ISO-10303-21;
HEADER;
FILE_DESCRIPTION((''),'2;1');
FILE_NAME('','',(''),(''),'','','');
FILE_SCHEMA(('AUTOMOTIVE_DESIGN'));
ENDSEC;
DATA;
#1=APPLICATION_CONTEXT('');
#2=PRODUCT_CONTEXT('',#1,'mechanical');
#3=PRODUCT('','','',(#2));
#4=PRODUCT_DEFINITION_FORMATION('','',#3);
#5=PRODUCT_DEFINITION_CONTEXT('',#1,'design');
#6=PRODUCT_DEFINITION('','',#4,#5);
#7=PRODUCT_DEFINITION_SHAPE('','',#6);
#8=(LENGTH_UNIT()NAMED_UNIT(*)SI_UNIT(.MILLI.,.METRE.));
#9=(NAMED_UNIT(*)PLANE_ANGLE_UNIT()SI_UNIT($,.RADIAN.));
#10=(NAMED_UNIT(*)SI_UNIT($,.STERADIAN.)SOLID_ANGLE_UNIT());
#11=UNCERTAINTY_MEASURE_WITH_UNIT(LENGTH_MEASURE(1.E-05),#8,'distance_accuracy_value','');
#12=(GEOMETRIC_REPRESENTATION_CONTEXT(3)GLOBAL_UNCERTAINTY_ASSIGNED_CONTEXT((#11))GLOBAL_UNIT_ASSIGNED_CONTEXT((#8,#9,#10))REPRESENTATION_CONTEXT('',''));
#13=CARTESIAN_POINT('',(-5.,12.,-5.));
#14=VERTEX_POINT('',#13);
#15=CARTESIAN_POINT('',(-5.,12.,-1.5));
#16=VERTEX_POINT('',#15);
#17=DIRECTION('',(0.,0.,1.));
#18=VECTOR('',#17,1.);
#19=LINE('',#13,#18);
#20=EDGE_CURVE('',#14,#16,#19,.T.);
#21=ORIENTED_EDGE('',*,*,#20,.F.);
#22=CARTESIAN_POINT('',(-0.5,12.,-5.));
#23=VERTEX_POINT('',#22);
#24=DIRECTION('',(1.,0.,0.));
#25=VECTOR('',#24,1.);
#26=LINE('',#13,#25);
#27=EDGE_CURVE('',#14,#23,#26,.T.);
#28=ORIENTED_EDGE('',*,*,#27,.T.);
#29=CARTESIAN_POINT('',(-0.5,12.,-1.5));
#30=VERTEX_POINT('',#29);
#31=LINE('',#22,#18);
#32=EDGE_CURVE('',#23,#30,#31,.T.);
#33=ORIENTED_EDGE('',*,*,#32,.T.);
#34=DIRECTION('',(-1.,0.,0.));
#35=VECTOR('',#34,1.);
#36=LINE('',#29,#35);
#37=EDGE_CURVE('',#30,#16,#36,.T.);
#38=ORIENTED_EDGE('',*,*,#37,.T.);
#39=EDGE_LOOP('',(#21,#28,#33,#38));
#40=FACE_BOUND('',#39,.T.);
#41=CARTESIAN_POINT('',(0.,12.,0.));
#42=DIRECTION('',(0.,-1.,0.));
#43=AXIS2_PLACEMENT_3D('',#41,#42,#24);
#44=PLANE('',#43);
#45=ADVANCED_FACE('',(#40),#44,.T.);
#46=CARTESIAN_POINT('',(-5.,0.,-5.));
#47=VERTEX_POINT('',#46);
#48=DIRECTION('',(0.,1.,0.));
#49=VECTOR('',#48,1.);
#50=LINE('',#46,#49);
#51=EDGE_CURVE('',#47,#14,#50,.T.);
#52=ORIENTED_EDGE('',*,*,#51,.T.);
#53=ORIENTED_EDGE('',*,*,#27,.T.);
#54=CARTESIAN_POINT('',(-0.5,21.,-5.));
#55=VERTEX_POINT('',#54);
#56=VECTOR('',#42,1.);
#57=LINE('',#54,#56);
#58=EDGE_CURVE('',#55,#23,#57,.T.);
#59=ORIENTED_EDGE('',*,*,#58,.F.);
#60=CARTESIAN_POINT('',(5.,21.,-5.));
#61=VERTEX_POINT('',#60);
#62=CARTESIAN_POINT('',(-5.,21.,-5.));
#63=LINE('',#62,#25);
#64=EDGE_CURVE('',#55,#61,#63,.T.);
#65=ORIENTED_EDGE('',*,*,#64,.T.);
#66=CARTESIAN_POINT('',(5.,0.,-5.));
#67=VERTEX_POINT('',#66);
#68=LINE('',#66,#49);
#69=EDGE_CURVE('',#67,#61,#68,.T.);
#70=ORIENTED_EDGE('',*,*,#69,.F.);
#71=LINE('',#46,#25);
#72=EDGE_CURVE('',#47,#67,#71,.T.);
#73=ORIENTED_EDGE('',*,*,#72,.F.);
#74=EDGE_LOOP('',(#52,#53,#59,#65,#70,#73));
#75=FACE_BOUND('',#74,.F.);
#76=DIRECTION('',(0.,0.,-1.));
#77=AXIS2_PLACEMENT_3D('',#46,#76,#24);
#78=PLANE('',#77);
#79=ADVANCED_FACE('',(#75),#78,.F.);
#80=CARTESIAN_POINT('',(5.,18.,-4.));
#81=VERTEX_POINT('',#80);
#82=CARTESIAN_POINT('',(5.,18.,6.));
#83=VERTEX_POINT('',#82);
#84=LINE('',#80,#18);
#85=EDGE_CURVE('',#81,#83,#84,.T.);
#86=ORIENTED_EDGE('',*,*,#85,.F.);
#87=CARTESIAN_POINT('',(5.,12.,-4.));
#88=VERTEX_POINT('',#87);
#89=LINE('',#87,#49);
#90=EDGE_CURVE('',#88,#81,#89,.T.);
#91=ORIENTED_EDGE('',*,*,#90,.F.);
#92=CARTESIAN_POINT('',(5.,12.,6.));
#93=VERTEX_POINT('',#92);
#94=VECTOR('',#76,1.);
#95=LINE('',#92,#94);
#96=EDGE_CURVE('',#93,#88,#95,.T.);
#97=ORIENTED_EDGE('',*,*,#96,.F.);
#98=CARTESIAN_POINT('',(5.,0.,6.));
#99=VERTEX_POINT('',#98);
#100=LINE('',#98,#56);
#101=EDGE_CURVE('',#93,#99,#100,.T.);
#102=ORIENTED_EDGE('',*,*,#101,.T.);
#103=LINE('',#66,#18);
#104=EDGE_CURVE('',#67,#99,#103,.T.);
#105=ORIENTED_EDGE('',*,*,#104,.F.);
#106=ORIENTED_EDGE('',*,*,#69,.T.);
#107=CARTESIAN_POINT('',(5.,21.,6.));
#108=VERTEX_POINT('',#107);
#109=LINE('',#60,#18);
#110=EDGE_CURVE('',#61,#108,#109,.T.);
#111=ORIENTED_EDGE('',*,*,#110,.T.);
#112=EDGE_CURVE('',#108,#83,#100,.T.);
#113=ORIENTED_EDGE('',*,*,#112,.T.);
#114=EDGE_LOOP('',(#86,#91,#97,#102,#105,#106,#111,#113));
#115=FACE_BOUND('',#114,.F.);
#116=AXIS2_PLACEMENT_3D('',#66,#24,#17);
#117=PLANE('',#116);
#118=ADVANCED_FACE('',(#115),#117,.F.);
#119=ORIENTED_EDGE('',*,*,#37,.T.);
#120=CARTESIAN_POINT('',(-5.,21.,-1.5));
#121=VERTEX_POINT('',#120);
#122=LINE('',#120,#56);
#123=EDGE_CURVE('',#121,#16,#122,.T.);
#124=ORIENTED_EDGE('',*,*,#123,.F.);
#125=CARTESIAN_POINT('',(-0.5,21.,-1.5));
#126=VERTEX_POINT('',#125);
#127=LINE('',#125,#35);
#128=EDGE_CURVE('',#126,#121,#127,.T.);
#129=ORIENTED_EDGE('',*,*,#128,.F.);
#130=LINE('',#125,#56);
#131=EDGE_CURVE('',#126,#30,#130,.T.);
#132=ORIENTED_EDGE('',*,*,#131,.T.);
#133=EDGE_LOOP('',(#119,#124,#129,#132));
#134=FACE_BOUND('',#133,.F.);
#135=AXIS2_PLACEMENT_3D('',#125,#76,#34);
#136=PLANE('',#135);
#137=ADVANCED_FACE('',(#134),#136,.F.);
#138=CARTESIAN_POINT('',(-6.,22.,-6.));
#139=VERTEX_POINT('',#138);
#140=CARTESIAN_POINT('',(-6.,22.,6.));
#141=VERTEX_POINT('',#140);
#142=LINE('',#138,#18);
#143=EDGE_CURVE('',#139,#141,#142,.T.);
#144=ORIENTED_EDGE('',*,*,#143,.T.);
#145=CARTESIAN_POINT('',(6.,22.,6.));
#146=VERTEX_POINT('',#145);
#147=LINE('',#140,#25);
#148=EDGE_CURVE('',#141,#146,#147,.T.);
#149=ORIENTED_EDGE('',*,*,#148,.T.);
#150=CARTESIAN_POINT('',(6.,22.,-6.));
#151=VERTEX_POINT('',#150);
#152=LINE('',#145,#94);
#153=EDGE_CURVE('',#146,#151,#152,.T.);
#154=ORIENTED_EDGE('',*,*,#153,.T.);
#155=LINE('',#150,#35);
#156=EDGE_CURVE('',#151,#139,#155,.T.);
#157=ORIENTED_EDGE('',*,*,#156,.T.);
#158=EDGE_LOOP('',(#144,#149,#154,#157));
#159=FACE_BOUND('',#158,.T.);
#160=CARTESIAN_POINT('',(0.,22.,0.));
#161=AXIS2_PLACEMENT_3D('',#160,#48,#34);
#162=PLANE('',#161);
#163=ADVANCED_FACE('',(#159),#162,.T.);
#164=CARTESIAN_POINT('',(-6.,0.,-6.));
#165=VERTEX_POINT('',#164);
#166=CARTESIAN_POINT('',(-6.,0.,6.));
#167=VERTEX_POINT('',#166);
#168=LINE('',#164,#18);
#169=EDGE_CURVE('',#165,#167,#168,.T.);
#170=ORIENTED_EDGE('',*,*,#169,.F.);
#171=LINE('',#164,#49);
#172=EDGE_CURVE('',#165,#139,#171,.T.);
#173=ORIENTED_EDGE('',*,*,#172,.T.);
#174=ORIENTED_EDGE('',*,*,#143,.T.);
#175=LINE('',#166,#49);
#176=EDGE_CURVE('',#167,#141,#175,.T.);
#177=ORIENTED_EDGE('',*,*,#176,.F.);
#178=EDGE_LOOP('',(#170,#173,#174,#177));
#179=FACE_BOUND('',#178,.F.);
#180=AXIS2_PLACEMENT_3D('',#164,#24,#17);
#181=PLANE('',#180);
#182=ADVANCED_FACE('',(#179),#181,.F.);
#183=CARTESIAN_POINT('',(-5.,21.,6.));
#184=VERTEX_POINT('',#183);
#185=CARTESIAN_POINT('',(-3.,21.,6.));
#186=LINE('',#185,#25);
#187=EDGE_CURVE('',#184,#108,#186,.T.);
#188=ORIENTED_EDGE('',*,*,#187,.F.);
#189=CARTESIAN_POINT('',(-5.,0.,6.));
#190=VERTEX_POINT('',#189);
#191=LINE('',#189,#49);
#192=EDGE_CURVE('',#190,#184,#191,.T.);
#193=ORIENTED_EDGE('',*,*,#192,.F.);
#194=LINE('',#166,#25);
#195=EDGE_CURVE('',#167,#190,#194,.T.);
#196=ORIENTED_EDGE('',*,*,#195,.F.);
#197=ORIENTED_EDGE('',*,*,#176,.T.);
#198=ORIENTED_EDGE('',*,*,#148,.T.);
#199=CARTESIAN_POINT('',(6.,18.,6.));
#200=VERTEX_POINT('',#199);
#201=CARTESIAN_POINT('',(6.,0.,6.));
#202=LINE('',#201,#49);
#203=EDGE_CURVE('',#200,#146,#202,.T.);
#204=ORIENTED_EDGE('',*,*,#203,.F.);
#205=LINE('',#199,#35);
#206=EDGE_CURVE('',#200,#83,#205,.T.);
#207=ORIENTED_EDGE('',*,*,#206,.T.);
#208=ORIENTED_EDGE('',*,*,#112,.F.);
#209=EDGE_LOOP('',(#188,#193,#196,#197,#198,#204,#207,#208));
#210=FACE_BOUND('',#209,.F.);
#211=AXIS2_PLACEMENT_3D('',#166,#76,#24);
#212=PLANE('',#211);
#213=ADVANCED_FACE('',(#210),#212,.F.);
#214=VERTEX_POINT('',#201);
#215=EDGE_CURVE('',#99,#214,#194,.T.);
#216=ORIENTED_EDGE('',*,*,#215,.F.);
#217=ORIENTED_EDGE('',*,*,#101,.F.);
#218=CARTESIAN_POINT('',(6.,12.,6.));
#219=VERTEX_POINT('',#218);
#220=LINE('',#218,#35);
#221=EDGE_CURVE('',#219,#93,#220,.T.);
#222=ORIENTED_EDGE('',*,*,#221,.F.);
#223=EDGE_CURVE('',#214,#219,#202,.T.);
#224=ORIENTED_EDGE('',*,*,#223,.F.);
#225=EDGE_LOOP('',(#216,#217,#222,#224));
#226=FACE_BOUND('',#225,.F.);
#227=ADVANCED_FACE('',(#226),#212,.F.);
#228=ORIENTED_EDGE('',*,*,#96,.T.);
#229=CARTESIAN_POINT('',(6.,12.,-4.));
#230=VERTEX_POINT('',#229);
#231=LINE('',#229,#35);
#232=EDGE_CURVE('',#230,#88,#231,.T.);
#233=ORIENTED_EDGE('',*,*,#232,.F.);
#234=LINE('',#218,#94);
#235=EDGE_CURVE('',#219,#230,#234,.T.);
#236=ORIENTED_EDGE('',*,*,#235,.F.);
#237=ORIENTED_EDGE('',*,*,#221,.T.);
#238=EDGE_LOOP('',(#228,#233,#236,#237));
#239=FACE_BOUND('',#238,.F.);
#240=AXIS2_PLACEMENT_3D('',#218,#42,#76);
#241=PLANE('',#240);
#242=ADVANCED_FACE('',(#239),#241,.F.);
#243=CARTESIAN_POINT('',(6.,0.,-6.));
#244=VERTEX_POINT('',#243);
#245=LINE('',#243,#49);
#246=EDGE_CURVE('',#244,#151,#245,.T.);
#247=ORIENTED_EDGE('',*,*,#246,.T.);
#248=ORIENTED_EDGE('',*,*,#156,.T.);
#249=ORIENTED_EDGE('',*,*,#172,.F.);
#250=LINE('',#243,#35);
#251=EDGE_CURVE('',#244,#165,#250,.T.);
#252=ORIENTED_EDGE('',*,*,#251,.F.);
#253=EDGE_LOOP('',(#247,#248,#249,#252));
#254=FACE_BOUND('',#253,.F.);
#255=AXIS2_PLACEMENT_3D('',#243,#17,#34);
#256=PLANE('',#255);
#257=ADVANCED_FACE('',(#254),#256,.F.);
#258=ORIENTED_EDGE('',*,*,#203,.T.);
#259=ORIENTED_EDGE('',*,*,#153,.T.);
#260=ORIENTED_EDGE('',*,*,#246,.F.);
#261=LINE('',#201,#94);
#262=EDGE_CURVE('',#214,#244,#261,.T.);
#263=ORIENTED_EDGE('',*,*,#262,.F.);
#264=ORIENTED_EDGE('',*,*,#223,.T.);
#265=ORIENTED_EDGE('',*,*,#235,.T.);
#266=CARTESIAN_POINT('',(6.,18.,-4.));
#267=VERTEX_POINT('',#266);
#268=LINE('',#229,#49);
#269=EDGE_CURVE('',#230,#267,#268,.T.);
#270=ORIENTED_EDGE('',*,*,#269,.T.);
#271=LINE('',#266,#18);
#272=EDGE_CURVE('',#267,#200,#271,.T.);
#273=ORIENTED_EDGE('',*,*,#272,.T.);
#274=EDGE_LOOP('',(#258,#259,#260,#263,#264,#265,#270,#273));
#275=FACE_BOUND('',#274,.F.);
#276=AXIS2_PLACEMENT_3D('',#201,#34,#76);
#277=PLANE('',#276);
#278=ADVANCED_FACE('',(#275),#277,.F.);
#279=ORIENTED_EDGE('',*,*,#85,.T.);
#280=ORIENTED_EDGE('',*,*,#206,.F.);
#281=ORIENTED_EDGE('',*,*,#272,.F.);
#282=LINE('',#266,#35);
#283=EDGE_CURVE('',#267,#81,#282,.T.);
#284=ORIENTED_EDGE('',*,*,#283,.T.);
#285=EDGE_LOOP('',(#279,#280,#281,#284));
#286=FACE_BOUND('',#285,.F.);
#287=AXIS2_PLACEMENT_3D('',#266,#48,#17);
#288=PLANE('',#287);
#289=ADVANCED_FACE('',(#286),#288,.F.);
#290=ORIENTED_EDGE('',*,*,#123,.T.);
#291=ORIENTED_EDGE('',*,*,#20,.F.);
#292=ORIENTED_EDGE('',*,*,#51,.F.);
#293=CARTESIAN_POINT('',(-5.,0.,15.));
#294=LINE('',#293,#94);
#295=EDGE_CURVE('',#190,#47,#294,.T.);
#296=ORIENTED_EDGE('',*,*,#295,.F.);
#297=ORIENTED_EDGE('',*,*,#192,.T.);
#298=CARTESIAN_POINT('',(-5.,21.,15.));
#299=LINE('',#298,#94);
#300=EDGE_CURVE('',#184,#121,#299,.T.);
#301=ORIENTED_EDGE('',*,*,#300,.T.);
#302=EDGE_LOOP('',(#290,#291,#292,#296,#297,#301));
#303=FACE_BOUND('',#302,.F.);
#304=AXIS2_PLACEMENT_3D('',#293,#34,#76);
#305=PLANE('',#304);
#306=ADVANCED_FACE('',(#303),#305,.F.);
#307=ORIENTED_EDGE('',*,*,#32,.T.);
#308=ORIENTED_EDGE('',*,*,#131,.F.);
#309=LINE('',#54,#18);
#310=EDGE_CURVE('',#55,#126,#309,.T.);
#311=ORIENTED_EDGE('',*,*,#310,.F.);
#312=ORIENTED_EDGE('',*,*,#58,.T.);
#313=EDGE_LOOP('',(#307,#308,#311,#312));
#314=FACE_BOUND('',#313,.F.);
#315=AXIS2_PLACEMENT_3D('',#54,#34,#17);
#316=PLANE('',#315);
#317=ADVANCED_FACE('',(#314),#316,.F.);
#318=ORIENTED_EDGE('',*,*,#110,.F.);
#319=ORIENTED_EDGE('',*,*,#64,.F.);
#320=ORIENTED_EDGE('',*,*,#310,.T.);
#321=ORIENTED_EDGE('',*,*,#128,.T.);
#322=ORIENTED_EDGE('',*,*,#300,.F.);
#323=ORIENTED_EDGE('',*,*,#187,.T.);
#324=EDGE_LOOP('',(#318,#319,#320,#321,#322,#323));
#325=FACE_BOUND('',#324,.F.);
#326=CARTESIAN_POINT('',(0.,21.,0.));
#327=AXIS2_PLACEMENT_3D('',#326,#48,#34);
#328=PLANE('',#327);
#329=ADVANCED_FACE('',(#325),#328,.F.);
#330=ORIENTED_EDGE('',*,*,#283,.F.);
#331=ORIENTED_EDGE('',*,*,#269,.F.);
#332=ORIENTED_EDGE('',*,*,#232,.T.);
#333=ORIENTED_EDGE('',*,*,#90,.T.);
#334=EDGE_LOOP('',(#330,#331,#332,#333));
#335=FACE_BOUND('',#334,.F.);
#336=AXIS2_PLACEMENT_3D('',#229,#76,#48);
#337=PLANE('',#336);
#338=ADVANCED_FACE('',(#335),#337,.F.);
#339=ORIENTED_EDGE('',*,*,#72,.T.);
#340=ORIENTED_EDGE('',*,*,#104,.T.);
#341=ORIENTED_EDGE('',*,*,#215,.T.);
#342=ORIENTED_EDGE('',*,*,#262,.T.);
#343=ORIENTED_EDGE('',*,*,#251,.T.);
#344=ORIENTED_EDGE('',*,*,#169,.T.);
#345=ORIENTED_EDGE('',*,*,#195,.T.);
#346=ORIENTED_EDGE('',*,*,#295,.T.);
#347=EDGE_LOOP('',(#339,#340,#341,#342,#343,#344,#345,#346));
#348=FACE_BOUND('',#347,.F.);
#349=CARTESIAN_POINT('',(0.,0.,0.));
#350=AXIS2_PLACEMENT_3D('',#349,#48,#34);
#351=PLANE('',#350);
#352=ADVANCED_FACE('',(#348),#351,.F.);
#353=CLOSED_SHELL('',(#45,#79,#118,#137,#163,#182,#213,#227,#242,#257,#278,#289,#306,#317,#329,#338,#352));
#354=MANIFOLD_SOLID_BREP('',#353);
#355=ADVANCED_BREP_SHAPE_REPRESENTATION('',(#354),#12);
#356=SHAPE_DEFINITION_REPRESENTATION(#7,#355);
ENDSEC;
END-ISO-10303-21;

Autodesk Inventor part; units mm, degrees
ref_plane "YZ Plane" through (0, 0, 0) normal (1, 0, 0) x (0, 1, 0)
ref_plane "XZ Plane" through (0, 0, 0) normal (0, 1, 0) x (-1, 0, 0)
ref_plane "XY Plane" through (0, 0, 0) normal (0, 0, 1) x (1, 0, 0)
sketch "Sketch1" plane through (0, 0, 0) normal (0, 1, 0) x (-1, 0, 0)
  line L0 (6, 6) -> (-6, 6)
  line L1 (-6, 6) -> (-6, -6)
  line L2 (-6, -6) -> (6, -6)
  line L3 (6, -6) -> (6, 6)
  line L4 (6, 6) -> (-6, -6) construction
  line L5 (-6, 6) -> (6, -6) construction
  point P0 (0, 0)
  dimension "d0" = 12
  dimension "d1" = 12
sketch "Sketch2" plane through (0, 0, 0) normal (0, 1, 0) x (-1, 0, 0)
  line L0 (5, -5) -> (-5, -5)
  line L1 (-5, -5) -> (-5, 15)
  line L2 (-5, 15) -> (5, 15)
  line L3 (5, 15) -> (5, -5)
  point P0 (0, 0)
  dimension "d2" = 10
  dimension "d3" = 20
extrude "Extrusion1" add sketch "Sketch1" along normal blind 22
extrude "Extrusion2" cut sketch "Sketch2" along normal blind 21
sketch "Sketch3" plane through (6, 0, 6) normal (1, 0, 0) x (0, 0, -1)
  line L0 (0, 0) -> (0, 22) projected
  line L1 (10, 18) -> (0, 18)
  line L2 (0, 18) -> (0, 12)
  line L3 (0, 12) -> (10, 12)
  line L4 (10, 12) -> (10, 18)
  point P0 (6, 0)
  dimension "d8" = 6
extrude "Extrusion3" cut sketch "Sketch3" against normal blind 1
sketch "Sketch4" plane through (0, 21, 0) normal (0, -1, 0) x (1, 0, 0)
  line L0 (-5, -5) -> (-5, 6) projected
  line L1 (-5, -5) -> (-0.5, -5)
  line L2 (-0.5, -5) -> (-0.5, -1.5)
  line L3 (-0.5, -1.5) -> (-5, -1.5)
  line L4 (-5, -1.5) -> (-5, -5)
  point P0 (0, 0)
  dimension "d11" = 4.5
  dimension "d12" = 3.5
extrude "Extrusion4" add sketch "Sketch4" along normal blind 9
properties part number "housing_v10"
